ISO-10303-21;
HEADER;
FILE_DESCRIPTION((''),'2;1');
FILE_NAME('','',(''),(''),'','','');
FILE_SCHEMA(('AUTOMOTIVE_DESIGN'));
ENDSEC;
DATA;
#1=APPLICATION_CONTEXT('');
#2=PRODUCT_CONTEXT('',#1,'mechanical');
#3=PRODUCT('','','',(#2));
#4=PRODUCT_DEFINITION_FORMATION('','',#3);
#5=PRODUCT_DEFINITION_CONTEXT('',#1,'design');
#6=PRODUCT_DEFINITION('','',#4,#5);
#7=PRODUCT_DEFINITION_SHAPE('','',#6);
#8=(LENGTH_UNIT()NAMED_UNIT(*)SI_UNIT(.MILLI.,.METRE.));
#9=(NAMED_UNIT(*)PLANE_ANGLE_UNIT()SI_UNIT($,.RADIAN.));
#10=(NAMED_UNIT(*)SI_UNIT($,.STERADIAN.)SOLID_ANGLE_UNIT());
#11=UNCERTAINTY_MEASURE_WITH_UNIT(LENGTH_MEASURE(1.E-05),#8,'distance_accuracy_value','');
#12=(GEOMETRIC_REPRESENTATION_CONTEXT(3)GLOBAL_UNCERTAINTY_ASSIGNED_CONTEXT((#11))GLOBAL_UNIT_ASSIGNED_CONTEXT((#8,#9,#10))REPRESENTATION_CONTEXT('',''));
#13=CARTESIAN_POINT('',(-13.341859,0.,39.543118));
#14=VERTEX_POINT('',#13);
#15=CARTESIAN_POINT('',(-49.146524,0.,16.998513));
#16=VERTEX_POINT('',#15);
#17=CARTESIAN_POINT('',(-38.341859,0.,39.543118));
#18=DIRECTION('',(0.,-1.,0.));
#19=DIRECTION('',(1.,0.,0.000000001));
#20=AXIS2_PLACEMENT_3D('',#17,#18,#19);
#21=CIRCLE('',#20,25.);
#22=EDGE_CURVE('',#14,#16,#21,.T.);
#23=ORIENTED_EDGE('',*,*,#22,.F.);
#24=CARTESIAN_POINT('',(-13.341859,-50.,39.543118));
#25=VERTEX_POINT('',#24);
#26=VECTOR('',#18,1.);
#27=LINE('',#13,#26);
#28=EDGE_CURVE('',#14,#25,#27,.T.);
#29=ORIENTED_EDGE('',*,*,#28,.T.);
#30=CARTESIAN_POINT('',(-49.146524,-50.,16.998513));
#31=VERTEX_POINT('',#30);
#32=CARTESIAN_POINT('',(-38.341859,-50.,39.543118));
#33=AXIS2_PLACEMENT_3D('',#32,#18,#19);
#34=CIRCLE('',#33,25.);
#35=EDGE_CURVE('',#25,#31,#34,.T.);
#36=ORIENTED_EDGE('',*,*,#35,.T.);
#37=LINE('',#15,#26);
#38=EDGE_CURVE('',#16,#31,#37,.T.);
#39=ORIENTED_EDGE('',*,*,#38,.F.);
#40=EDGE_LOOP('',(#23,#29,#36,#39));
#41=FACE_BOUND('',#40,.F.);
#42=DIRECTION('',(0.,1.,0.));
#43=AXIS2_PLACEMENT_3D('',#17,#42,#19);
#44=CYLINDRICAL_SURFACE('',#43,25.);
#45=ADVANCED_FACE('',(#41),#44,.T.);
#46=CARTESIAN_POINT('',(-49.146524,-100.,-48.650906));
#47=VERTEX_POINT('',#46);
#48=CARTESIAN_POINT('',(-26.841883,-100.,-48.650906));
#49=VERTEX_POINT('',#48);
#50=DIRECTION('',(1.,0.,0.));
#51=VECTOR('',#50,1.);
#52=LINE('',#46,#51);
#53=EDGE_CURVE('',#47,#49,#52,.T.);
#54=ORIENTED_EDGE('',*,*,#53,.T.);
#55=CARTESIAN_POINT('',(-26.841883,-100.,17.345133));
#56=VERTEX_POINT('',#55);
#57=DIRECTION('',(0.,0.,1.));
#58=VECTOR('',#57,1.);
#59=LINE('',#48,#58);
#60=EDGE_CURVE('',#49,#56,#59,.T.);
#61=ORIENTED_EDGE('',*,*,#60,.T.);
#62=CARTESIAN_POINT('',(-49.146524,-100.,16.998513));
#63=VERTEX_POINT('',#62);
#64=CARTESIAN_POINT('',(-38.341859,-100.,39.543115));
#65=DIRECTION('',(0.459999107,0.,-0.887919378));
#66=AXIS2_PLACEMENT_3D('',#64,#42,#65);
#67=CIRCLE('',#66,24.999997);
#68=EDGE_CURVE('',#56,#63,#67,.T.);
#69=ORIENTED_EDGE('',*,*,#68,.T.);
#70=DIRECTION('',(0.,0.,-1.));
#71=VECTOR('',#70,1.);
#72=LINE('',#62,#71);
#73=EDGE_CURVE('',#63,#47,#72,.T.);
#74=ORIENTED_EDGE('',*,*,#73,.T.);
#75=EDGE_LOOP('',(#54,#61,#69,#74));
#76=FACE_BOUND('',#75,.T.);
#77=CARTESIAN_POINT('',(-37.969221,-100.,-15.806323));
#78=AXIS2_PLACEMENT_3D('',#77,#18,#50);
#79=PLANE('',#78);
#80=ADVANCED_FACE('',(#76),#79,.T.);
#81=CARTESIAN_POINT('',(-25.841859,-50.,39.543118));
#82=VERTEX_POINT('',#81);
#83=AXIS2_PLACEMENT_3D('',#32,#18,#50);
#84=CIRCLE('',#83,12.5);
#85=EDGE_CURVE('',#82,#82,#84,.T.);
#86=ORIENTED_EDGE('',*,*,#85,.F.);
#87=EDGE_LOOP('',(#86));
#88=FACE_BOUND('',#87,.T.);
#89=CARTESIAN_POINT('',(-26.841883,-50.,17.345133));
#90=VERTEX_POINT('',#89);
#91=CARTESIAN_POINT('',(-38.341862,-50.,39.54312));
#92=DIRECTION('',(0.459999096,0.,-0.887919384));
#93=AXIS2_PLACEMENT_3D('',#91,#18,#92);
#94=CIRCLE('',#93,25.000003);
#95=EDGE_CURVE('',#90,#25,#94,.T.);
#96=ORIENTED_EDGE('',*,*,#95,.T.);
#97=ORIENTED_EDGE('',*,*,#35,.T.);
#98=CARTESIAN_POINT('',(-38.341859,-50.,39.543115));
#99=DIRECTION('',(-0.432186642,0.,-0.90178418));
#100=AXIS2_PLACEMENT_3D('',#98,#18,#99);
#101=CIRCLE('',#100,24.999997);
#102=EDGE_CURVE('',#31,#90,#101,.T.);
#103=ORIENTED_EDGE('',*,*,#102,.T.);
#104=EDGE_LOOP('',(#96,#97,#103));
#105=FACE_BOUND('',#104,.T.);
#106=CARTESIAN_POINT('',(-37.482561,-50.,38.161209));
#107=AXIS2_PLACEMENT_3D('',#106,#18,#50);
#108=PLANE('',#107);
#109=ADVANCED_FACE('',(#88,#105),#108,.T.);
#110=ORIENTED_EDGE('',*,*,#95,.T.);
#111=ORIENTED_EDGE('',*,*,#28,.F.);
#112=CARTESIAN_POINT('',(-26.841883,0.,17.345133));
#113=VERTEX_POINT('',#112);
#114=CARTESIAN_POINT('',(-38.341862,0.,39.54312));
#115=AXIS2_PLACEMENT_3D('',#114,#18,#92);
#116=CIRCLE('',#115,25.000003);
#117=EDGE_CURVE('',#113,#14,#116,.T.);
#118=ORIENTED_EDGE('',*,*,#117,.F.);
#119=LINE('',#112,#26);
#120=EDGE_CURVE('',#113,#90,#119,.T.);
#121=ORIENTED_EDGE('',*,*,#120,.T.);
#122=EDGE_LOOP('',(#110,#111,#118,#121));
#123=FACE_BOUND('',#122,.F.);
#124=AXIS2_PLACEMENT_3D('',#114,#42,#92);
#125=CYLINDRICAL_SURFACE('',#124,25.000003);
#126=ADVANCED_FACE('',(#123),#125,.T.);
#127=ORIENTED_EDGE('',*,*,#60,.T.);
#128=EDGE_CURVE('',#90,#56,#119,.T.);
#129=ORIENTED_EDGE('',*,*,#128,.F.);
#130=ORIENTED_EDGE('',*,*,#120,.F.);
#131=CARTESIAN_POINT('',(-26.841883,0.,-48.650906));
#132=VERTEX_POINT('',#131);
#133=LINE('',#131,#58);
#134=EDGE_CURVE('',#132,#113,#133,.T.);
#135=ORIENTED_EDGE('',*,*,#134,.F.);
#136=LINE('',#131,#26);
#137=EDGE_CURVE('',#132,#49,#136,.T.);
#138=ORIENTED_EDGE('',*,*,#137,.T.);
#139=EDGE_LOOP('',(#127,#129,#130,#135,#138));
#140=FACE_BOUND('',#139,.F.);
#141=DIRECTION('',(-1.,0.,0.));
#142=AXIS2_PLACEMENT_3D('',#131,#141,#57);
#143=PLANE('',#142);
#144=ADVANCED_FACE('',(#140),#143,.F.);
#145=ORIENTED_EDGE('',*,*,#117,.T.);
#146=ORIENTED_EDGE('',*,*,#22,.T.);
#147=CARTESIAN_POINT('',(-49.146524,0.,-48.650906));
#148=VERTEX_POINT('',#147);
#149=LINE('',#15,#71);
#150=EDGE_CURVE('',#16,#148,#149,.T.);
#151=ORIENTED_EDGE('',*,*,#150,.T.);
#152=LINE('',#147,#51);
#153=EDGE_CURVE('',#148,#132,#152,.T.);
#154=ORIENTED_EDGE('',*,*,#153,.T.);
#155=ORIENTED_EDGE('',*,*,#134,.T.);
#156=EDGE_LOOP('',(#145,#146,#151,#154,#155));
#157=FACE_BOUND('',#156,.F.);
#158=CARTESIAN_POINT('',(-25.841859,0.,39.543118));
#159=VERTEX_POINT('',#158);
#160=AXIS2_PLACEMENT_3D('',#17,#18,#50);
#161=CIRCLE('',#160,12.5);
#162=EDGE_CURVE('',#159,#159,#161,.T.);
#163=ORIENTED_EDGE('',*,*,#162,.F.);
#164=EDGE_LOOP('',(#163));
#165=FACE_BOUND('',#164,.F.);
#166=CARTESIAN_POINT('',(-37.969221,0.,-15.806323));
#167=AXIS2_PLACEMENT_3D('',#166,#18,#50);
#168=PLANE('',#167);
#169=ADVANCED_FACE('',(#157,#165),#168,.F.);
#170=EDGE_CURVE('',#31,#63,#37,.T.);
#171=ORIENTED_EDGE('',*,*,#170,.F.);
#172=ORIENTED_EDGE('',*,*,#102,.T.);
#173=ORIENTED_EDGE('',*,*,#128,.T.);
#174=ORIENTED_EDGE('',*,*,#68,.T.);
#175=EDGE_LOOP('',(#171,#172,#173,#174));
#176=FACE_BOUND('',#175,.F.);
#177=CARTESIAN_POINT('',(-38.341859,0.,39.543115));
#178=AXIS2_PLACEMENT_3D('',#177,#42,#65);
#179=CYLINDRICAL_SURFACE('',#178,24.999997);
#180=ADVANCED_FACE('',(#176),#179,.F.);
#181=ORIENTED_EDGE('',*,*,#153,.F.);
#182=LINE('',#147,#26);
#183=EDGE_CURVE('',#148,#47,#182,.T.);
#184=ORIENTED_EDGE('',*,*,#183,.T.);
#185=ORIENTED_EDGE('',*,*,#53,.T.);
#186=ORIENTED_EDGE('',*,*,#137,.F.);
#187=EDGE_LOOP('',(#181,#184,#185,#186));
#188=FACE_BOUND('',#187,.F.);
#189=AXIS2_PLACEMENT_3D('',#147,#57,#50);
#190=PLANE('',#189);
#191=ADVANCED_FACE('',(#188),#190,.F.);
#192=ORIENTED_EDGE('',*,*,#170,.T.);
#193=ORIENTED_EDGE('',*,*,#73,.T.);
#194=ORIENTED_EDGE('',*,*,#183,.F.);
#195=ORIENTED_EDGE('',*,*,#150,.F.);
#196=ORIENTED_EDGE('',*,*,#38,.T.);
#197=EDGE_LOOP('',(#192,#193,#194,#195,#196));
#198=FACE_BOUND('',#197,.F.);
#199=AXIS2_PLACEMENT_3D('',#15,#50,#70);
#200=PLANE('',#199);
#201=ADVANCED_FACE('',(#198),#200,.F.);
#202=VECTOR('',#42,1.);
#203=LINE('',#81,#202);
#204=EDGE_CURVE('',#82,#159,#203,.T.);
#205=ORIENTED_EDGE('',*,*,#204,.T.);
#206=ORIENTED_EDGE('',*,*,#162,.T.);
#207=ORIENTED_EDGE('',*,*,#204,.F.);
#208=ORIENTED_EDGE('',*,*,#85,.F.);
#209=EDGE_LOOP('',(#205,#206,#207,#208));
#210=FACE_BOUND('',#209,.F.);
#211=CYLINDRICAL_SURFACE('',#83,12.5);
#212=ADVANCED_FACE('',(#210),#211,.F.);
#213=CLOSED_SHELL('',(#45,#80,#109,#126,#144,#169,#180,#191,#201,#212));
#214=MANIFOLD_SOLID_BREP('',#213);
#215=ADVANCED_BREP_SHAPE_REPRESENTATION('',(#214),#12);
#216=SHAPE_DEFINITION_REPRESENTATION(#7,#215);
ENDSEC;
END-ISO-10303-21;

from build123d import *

# Parameters (mm, degrees)
F1_DEPTH = 50
F2_DEPTH = 100
F3_R     = 12.5
F4_DEPTH = 50


with BuildPart() as f1:
    # F0 (on Front) → F1 (new body)
    with BuildSketch(Plane.XZ):
        with BuildLine():
            ThreePointArc((-26.841883, 17.345133), (-16.981857, 26.552726), (-13.341859, 39.543118))
            ThreePointArc((-13.341859, 39.543118), (-51.662583, 60.698692), (-49.146524, 16.998513))
            ThreePointArc((-49.146524, 16.998513), (-37.953399, 14.546136), (-26.841883, 17.345133))
        make_face()
    extrude(amount=F1_DEPTH)

    # F0 (on Front) → F2 (join)
    with BuildSketch(Plane.XZ):
        with BuildLine():
            ThreePointArc((-26.841883, 17.345133), (-37.953399, 14.546136), (-49.146524, 16.998513))
            Line((-49.146524, 16.998513), (-49.146524, -48.650906))
            Line((-49.146524, -48.650906), (-26.841883, -48.650906))
            Line((-26.841883, -48.650906), (-26.841883, 17.345133))
        make_face()
    extrude(amount=F2_DEPTH)

    # F3 (on face) → F4 (cut)
    with BuildSketch(Plane.XZ.offset(50)):
        with Locations((-38.341859, 39.543118)):
            Circle(F3_R)
    extrude(amount=-F4_DEPTH, mode=Mode.SUBTRACT)


solid = f1.part
